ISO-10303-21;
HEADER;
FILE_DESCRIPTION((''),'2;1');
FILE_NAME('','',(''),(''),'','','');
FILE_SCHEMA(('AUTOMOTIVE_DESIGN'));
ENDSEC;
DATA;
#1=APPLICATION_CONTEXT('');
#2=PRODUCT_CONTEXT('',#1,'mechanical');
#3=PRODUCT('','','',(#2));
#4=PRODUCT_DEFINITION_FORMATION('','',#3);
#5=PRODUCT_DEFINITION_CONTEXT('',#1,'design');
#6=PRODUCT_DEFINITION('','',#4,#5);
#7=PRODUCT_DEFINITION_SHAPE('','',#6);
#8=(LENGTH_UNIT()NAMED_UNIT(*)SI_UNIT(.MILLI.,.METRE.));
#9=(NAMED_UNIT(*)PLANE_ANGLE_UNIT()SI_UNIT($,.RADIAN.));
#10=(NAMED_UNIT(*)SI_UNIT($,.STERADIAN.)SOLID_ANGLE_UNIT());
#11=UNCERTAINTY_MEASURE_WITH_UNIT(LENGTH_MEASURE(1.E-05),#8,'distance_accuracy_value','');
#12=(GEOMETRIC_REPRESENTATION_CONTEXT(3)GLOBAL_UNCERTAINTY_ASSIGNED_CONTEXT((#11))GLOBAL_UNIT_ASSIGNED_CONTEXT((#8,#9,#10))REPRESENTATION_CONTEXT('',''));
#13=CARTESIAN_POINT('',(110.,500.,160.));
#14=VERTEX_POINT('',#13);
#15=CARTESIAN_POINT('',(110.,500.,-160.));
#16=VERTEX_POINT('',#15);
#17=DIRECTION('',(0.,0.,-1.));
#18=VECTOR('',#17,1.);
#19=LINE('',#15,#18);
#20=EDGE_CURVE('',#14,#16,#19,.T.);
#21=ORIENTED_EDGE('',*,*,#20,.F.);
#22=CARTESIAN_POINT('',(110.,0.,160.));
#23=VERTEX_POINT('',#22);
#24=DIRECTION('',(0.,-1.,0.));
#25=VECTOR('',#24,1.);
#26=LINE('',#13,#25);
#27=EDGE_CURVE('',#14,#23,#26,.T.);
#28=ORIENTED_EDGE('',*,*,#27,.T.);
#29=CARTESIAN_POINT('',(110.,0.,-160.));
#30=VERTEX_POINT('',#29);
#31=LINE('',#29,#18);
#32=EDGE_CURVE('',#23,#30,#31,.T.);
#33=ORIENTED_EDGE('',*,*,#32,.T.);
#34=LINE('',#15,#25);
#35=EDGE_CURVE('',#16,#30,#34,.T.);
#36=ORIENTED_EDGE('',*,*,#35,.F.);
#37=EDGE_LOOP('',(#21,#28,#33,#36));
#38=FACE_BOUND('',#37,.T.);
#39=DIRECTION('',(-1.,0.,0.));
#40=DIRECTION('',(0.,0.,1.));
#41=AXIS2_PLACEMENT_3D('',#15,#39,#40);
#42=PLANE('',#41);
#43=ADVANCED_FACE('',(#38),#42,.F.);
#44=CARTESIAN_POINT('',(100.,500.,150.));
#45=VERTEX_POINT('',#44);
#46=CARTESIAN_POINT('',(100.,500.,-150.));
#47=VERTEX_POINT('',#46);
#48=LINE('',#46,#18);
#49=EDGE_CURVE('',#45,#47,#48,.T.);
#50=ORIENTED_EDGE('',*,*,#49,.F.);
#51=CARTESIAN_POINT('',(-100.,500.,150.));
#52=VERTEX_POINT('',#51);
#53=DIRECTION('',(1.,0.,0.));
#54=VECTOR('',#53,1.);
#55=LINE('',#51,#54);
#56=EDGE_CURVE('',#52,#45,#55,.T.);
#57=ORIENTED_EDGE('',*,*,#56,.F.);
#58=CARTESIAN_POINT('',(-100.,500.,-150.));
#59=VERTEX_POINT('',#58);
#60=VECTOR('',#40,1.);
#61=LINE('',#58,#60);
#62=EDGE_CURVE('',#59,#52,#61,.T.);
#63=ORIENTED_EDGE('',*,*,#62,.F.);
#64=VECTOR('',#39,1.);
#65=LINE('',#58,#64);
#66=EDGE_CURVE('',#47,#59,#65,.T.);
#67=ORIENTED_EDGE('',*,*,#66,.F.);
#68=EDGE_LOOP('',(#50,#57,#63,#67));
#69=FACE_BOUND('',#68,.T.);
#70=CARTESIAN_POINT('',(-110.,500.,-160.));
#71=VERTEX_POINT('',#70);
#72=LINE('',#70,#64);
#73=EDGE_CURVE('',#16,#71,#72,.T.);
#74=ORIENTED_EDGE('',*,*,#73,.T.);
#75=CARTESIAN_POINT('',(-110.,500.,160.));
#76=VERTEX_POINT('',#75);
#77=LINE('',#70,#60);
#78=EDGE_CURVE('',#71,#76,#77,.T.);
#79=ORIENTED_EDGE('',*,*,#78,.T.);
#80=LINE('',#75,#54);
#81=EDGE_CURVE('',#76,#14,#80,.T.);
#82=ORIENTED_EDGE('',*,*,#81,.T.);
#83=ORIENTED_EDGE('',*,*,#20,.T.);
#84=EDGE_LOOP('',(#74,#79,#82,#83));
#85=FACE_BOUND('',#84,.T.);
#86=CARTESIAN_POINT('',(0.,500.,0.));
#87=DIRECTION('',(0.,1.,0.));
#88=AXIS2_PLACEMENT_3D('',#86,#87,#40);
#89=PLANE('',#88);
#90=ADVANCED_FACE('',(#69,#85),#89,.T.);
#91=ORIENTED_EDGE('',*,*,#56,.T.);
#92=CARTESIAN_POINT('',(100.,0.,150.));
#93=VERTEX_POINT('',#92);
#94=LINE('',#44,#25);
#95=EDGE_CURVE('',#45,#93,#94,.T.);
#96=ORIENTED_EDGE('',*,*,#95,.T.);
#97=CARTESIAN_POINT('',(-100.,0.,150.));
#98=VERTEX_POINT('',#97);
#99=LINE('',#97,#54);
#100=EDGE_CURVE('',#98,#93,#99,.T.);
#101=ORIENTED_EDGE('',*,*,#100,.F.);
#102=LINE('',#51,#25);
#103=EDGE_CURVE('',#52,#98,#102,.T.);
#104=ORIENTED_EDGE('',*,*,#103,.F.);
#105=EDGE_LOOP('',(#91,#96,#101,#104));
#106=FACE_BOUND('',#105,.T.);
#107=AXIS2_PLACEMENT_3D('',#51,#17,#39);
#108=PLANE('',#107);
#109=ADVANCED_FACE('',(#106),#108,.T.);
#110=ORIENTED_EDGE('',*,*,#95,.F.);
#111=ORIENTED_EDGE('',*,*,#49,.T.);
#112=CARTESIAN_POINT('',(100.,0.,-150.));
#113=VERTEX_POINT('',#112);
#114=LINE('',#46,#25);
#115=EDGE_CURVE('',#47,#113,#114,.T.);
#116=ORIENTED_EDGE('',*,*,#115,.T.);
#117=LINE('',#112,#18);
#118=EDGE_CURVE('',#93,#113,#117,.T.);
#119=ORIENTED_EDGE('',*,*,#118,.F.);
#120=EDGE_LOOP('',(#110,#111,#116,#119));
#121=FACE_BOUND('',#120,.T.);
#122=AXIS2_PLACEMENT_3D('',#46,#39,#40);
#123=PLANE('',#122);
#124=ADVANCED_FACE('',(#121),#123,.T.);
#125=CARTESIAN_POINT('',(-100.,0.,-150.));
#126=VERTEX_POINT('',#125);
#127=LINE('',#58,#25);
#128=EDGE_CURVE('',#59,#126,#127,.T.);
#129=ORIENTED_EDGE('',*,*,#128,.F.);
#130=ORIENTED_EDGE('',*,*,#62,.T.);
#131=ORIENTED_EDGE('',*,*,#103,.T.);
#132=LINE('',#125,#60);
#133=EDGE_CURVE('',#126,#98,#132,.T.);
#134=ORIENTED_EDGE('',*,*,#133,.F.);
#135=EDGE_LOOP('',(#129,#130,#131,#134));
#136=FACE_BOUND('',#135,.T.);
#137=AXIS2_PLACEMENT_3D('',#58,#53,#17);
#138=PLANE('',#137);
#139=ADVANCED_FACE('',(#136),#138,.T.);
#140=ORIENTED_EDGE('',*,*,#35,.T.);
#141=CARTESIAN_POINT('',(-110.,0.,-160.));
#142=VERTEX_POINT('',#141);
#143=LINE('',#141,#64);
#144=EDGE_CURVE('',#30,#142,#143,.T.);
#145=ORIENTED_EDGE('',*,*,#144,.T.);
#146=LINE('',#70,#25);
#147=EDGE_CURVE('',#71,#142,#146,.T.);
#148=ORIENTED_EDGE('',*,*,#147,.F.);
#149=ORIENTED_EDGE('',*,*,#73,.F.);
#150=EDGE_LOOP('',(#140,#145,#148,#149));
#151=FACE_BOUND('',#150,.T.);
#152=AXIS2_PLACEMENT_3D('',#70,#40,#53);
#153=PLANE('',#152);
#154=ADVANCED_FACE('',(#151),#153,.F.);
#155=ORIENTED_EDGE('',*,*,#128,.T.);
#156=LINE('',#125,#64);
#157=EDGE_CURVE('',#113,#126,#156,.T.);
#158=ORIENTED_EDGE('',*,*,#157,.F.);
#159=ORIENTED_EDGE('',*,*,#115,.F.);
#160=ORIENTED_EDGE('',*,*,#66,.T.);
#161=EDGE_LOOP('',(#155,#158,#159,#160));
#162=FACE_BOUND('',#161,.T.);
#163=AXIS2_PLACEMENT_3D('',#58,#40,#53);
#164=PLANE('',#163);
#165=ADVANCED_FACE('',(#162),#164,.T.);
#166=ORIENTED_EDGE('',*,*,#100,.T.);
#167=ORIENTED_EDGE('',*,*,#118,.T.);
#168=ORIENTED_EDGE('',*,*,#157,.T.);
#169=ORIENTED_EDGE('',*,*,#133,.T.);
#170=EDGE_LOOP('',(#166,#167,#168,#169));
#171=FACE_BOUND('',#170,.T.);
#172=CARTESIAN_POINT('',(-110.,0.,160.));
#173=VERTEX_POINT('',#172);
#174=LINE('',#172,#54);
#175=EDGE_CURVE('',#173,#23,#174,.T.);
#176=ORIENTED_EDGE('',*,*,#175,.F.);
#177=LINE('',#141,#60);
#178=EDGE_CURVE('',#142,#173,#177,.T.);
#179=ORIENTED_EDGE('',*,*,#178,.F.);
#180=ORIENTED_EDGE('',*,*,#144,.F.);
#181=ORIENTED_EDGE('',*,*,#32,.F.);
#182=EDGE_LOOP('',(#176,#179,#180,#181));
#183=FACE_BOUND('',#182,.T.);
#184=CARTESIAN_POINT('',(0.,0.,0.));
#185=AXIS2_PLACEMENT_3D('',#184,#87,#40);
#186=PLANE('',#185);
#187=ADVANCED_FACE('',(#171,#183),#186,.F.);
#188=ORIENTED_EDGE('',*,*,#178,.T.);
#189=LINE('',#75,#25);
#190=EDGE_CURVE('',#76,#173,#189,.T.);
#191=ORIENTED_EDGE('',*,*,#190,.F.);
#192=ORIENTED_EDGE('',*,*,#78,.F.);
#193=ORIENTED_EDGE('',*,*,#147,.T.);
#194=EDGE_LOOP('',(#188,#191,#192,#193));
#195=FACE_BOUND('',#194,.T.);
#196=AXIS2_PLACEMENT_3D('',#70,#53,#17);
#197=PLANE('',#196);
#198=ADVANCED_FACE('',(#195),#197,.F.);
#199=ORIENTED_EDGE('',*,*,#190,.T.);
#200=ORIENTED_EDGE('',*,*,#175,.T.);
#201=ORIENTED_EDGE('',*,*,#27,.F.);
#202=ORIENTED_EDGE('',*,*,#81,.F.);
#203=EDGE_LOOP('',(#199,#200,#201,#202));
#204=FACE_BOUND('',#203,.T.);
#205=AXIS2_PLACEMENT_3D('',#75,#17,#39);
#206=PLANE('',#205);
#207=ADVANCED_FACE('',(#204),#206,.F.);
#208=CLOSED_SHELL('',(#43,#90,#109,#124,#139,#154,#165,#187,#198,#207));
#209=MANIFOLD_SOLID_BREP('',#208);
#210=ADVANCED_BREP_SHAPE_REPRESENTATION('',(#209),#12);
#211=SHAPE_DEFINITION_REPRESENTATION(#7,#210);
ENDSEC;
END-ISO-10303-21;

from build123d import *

# Parameters (mm, degrees)
SKETCH_2_W      = 220
SKETCH_2_H      = 320
SKETCH_2_W_2    = 200
SKETCH_2_H_2    = 300
EXTRUDE_2_DEPTH = 500


with BuildPart() as part:
    # 草图2 → 凸台-拉伸2 (new body)
    with BuildSketch(Plane(origin=(0, 0, 0), x_dir=(1, 0, 0), z_dir=(0, 1, 0))):
        Rectangle(SKETCH_2_W, SKETCH_2_H)
        Rectangle(SKETCH_2_W_2, SKETCH_2_H_2, mode=Mode.SUBTRACT)
    extrude(amount=EXTRUDE_2_DEPTH)


solid = part.part
